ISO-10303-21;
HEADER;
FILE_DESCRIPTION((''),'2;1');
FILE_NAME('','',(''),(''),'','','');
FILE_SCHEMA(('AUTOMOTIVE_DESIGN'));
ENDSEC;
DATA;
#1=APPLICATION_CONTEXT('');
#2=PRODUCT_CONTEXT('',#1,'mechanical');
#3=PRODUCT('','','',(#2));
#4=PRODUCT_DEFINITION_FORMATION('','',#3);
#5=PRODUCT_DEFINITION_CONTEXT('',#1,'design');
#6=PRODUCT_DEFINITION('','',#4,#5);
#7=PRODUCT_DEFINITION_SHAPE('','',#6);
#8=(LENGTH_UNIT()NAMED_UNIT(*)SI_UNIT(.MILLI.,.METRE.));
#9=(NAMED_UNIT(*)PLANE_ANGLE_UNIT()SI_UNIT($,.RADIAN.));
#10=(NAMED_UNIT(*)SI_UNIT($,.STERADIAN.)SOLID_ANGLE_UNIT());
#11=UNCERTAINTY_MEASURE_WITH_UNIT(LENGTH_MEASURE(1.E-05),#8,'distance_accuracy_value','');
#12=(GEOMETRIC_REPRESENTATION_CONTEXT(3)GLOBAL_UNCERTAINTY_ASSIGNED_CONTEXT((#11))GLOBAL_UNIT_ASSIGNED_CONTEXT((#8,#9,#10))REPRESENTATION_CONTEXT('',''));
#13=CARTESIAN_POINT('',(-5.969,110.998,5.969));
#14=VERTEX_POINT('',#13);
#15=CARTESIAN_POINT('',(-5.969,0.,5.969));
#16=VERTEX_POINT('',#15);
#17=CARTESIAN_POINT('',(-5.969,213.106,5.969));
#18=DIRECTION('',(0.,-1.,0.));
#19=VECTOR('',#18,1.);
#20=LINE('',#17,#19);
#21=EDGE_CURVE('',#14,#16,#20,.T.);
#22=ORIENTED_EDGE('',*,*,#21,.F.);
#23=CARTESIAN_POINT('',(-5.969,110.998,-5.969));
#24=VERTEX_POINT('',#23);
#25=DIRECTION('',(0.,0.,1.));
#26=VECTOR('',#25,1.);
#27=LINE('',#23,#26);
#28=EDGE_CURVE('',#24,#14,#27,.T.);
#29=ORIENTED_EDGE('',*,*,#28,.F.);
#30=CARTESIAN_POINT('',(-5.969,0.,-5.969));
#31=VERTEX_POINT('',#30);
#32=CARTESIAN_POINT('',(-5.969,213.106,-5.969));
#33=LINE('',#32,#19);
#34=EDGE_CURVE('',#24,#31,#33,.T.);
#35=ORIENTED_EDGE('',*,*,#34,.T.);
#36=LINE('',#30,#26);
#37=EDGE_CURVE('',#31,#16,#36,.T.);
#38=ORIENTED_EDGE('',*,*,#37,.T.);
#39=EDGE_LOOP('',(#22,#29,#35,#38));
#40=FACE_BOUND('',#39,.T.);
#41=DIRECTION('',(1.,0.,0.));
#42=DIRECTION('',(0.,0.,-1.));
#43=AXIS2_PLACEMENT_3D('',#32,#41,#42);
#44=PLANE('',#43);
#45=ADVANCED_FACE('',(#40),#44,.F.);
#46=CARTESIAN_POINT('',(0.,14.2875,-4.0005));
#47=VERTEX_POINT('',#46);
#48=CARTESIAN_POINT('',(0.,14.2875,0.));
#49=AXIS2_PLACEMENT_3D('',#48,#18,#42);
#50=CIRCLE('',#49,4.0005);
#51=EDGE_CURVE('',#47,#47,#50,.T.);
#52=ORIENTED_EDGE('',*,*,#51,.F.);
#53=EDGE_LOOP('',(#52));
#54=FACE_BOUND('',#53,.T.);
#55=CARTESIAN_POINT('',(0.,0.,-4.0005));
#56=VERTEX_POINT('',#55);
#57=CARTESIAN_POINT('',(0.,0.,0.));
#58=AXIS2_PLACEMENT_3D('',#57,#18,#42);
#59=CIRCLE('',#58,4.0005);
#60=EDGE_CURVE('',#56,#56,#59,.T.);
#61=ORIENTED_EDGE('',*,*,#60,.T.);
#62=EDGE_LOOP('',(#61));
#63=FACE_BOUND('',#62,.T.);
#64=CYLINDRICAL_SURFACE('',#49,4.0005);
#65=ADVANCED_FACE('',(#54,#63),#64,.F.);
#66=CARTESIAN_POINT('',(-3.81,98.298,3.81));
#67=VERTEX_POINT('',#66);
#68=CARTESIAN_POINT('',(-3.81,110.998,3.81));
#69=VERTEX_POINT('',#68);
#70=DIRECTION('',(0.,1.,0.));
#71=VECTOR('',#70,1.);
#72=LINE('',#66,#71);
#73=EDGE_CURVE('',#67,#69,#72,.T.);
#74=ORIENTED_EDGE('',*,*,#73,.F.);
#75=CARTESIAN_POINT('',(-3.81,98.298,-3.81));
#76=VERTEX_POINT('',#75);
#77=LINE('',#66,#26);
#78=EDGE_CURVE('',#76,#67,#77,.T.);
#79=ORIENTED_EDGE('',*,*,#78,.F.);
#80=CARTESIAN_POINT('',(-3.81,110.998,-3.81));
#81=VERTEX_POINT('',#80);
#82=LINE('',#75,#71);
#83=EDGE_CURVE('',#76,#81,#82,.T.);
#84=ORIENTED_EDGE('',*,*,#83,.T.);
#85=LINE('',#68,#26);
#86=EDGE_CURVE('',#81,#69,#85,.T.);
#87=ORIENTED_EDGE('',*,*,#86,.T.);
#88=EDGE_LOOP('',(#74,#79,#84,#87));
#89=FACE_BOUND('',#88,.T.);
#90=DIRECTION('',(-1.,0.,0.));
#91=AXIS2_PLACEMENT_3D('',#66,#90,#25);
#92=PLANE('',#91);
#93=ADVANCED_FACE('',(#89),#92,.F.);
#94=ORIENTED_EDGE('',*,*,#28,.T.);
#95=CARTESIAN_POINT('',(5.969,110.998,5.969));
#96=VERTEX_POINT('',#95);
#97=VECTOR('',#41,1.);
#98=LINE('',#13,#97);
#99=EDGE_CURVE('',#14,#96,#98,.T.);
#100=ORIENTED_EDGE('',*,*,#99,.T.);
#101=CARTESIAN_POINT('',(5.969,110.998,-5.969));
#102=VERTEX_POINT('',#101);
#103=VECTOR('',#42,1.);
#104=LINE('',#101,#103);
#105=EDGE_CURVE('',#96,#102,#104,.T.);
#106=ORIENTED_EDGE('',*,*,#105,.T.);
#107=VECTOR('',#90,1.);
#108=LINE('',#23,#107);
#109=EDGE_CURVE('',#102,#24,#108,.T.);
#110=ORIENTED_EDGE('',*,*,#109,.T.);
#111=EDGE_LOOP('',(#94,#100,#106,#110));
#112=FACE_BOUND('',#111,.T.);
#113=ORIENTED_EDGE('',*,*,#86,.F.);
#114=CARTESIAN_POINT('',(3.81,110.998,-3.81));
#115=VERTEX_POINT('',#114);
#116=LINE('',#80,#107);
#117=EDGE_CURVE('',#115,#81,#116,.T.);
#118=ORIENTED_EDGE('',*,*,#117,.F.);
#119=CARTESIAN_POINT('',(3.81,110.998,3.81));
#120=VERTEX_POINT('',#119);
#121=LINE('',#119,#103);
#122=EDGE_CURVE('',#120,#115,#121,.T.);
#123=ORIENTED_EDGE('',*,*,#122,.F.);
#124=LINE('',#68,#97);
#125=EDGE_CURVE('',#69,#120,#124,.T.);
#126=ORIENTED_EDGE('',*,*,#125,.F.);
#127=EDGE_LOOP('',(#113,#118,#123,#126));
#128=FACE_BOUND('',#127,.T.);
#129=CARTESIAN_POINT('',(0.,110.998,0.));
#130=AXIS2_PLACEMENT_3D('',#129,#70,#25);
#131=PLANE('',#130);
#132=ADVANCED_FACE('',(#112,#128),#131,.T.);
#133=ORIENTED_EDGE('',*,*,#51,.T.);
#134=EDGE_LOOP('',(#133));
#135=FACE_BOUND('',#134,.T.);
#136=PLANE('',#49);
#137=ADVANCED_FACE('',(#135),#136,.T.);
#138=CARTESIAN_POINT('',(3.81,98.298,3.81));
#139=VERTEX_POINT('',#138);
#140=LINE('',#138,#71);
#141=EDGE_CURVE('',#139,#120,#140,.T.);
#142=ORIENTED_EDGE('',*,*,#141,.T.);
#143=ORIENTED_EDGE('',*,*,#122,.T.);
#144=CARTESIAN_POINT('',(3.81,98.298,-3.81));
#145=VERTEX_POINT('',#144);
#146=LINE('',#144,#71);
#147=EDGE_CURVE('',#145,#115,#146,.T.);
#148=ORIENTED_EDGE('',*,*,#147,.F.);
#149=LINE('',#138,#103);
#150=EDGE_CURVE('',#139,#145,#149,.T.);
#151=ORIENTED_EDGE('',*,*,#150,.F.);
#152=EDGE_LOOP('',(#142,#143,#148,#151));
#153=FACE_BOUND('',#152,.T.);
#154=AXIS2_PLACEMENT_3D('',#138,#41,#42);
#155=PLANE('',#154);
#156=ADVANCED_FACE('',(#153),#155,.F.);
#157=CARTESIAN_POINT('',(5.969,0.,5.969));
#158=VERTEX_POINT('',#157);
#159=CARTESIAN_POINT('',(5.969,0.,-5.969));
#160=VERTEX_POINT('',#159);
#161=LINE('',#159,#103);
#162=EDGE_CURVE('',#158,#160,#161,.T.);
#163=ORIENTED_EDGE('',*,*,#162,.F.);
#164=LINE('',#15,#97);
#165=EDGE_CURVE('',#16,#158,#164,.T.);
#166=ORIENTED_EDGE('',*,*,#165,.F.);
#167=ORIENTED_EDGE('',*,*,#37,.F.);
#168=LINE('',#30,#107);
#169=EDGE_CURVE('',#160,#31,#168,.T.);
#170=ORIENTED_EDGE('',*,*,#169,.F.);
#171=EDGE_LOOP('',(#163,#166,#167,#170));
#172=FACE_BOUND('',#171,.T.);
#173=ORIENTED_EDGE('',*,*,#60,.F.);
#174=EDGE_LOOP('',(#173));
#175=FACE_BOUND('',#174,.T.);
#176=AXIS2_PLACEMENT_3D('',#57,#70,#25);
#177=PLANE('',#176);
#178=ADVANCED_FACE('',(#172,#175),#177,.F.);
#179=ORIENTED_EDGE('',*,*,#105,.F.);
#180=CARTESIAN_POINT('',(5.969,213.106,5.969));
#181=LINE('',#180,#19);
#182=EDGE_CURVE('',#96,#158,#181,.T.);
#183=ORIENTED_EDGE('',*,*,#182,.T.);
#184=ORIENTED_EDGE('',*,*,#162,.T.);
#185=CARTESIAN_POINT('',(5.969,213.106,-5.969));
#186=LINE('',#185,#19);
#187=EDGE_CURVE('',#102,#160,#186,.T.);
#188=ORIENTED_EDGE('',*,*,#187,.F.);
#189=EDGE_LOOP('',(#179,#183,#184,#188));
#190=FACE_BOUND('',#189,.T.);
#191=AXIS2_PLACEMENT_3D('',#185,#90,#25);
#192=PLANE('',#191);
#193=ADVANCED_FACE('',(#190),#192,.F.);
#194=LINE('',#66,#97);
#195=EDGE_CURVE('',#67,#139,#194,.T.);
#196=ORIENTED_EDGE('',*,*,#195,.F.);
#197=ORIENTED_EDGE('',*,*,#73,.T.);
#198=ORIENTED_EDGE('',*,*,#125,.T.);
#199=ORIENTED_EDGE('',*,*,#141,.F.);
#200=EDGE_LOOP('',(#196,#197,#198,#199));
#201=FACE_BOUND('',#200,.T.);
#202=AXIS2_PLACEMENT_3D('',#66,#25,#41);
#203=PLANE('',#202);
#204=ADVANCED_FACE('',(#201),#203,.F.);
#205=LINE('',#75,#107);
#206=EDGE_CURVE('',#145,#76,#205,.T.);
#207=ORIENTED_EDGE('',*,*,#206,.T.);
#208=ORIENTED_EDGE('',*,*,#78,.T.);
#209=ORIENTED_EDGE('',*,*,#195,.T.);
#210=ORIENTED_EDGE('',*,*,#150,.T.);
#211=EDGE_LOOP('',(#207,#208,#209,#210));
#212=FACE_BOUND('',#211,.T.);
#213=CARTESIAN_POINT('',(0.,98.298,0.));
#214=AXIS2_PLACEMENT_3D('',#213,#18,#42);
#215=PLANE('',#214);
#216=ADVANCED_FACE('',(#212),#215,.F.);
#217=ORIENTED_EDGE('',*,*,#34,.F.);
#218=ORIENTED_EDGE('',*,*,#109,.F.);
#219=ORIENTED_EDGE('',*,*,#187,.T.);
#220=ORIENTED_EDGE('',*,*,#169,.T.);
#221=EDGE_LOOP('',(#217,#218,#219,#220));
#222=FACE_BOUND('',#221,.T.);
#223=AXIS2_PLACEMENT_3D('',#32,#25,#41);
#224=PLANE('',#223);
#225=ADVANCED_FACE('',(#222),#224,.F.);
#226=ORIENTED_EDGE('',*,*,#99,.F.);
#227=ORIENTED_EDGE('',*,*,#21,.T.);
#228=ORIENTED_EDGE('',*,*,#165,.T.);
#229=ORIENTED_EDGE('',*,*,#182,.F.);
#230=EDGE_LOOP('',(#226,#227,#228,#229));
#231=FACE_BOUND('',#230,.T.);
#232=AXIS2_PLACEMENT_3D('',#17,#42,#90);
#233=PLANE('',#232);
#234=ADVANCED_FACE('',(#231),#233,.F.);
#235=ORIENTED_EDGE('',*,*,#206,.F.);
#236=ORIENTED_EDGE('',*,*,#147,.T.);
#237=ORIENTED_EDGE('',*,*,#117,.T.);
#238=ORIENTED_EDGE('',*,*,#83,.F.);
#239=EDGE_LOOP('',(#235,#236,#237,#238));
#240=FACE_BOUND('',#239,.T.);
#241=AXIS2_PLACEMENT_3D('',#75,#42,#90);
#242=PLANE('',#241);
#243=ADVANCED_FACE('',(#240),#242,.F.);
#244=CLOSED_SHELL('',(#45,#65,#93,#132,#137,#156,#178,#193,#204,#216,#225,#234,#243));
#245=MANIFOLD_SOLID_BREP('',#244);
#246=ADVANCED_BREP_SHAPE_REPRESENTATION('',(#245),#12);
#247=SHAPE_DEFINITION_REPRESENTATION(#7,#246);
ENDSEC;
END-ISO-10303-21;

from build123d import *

# Parameters (mm, degrees)
SKETCH1_W           = 11.938
SKETCH1_H           = 11.938
BOSS_EXTRUDE1_DEPTH = 213.106
SKETCH2_R           = 3.68046
BOSS_EXTRUDE2_DEPTH = 22.225
SKETCH4_W           = 4.572
SKETCH4_H           = 4.572
BOSS_EXTRUDE4_DEPTH = 15.24
SKETCH5_R           = 13.051144527
CUT_EXTRUDE1_DEPTH  = 139.573
SKETCH6_W           = 7.62
SKETCH6_H           = 7.62
CUT_EXTRUDE2_DEPTH  = 12.7
SKETCH3_R           = 4.0005
CUT_EXTRUDE4_DEPTH  = 14.2875


with BuildPart() as part:
    # Sketch1 → Boss-Extrude1 (new body)
    with BuildSketch(Plane(origin=(0, 0, 0), x_dir=(1, 0, 0), z_dir=(0, 1, 0))):
        Rectangle(SKETCH1_W, SKETCH1_H)
    extrude(amount=BOSS_EXTRUDE1_DEPTH)

    # Sketch2 → Boss-Extrude2 (add)
    with BuildSketch(Plane(origin=(0, 213.106, 0), x_dir=(1, 0, 0), z_dir=(0, 1, 0))):
        Circle(SKETCH2_R)
    extrude(amount=BOSS_EXTRUDE2_DEPTH)

    # Sketch4 → Boss-Extrude4 (add)
    with BuildSketch(Plane(origin=(0, 235.331, 0), x_dir=(1, 0, 0), z_dir=(0, 1, 0))):
        Rectangle(SKETCH4_W, SKETCH4_H)
    extrude(amount=BOSS_EXTRUDE4_DEPTH)

    # Sketch5 → Cut-Extrude1 (cut)
    with BuildSketch(Plane(origin=(0, 250.571, 0), x_dir=(1, 0, 0), z_dir=(0, 1, 0))):
        Circle(SKETCH5_R)
    extrude(amount=-CUT_EXTRUDE1_DEPTH, mode=Mode.SUBTRACT)

    # Sketch6 → Cut-Extrude2 (cut)
    with BuildSketch(Plane(origin=(0, 110.998, 0), x_dir=(1, 0, 0), z_dir=(0, 1, 0))):
        Rectangle(SKETCH6_W, SKETCH6_H)
    extrude(amount=-CUT_EXTRUDE2_DEPTH, mode=Mode.SUBTRACT)

    # Sketch3 → Cut-Extrude4 (cut)
    with BuildSketch(Plane(origin=(0, 0, 0), x_dir=(-1, 0, 0), z_dir=(0, -1, 0))):
        Circle(SKETCH3_R)
    extrude(amount=-CUT_EXTRUDE4_DEPTH, mode=Mode.SUBTRACT)


solid = part.part
